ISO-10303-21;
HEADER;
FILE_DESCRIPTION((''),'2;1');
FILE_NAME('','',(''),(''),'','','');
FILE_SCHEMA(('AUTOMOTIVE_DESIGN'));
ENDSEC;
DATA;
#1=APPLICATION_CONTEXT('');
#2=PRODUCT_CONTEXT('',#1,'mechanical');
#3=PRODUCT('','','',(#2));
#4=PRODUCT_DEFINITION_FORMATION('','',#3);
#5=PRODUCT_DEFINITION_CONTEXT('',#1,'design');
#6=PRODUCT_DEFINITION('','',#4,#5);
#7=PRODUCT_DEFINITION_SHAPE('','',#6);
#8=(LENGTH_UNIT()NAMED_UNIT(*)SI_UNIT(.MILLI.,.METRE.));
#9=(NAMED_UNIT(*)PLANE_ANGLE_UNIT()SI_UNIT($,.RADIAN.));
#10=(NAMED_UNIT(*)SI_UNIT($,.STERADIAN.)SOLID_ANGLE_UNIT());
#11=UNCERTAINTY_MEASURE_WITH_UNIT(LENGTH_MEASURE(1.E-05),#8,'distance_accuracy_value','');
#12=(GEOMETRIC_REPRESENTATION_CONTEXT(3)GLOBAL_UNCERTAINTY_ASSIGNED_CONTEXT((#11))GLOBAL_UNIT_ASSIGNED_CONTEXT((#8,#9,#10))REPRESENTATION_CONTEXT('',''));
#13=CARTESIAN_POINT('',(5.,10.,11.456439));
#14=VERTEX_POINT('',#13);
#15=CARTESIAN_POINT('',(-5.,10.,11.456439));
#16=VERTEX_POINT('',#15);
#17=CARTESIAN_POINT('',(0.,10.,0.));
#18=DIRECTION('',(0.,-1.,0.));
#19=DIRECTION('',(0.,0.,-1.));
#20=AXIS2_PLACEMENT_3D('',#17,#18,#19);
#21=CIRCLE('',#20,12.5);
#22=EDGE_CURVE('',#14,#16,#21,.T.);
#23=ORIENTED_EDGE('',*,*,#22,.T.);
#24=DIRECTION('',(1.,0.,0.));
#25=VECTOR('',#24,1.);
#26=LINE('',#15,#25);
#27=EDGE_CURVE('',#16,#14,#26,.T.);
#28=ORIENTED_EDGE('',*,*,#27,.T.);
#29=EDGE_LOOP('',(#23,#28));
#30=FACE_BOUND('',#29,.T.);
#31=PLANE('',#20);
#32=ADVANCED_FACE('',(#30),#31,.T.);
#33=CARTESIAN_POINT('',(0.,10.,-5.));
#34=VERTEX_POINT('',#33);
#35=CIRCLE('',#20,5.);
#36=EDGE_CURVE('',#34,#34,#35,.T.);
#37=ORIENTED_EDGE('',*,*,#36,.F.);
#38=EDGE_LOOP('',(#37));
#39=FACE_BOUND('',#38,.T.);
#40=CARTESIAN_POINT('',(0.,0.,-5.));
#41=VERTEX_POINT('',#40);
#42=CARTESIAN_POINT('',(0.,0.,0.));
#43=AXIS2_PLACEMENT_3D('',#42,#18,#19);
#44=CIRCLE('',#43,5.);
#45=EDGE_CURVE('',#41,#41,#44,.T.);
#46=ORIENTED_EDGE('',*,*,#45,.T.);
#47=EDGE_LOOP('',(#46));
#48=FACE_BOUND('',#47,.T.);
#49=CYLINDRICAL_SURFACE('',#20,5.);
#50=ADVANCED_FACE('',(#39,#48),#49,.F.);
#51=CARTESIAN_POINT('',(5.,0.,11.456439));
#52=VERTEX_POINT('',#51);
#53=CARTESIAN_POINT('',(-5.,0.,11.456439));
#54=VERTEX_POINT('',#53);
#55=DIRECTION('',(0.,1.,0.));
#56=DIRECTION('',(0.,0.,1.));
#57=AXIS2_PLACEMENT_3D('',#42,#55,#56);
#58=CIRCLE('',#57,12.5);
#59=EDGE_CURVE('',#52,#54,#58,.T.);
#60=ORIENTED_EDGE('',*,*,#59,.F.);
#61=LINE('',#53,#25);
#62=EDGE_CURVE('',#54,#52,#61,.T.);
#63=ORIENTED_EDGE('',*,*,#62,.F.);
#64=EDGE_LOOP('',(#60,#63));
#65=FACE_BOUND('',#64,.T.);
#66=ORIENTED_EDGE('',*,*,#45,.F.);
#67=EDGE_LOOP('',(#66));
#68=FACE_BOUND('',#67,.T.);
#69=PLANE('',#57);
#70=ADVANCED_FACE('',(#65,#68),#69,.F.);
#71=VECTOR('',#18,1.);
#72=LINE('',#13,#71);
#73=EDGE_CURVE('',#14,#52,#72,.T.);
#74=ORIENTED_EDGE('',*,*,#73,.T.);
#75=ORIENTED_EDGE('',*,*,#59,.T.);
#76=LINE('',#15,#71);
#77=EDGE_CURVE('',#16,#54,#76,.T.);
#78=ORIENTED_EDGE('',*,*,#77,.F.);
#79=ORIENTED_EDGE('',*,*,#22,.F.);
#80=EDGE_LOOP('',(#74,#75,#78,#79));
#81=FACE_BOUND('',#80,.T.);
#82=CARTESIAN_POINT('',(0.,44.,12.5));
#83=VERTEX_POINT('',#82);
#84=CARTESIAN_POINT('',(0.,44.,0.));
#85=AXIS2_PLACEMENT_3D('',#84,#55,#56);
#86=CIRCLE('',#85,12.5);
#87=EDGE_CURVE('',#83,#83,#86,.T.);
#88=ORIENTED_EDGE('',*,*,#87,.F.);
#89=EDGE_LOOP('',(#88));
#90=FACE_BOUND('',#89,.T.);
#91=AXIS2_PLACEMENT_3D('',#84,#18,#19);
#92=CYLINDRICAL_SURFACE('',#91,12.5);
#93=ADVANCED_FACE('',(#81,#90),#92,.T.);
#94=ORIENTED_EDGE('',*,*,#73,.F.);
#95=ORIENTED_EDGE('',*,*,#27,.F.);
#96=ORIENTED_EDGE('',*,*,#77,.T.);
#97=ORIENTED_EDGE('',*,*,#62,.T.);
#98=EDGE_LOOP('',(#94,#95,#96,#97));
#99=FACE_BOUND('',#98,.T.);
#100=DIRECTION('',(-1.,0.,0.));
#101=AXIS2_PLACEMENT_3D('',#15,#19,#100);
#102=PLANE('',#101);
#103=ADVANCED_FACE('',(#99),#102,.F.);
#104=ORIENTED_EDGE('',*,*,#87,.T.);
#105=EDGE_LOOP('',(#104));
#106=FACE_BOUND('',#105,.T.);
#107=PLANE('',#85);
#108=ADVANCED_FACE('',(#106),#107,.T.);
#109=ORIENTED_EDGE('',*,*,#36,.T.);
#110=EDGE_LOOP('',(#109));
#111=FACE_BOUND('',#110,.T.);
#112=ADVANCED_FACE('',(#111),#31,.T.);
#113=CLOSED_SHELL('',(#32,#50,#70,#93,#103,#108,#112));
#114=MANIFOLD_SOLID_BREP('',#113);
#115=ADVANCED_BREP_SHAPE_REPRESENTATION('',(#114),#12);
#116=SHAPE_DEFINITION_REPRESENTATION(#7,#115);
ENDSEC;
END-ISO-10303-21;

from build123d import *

# Parameters (mm, degrees)
SKETCH1_R           = 12.5
BOSS_EXTRUDE1_DEPTH = 44
SKETCH3_R           = 5
CUT_EXTRUDE1_DEPTH  = 10


with BuildPart() as part:
    # Sketch1 → Boss-Extrude1 (new body)
    with BuildSketch(Plane(origin=(0, 0, 0), x_dir=(1, 0, 0), z_dir=(0, 1, 0))):
        Circle(SKETCH1_R)
    extrude(amount=BOSS_EXTRUDE1_DEPTH)

    # Sketch3 → Cut-Extrude1 (cut)
    with BuildSketch(Plane.XZ):
        Circle(SKETCH3_R)
        with BuildLine():
            Line((-5, 11.456439237), (5, 11.456439237))
            ThreePointArc((5, 11.456439237), (0, 12.5), (-5, 11.456439237))
        make_face()
    extrude(amount=-CUT_EXTRUDE1_DEPTH, mode=Mode.SUBTRACT)


solid = part.part
